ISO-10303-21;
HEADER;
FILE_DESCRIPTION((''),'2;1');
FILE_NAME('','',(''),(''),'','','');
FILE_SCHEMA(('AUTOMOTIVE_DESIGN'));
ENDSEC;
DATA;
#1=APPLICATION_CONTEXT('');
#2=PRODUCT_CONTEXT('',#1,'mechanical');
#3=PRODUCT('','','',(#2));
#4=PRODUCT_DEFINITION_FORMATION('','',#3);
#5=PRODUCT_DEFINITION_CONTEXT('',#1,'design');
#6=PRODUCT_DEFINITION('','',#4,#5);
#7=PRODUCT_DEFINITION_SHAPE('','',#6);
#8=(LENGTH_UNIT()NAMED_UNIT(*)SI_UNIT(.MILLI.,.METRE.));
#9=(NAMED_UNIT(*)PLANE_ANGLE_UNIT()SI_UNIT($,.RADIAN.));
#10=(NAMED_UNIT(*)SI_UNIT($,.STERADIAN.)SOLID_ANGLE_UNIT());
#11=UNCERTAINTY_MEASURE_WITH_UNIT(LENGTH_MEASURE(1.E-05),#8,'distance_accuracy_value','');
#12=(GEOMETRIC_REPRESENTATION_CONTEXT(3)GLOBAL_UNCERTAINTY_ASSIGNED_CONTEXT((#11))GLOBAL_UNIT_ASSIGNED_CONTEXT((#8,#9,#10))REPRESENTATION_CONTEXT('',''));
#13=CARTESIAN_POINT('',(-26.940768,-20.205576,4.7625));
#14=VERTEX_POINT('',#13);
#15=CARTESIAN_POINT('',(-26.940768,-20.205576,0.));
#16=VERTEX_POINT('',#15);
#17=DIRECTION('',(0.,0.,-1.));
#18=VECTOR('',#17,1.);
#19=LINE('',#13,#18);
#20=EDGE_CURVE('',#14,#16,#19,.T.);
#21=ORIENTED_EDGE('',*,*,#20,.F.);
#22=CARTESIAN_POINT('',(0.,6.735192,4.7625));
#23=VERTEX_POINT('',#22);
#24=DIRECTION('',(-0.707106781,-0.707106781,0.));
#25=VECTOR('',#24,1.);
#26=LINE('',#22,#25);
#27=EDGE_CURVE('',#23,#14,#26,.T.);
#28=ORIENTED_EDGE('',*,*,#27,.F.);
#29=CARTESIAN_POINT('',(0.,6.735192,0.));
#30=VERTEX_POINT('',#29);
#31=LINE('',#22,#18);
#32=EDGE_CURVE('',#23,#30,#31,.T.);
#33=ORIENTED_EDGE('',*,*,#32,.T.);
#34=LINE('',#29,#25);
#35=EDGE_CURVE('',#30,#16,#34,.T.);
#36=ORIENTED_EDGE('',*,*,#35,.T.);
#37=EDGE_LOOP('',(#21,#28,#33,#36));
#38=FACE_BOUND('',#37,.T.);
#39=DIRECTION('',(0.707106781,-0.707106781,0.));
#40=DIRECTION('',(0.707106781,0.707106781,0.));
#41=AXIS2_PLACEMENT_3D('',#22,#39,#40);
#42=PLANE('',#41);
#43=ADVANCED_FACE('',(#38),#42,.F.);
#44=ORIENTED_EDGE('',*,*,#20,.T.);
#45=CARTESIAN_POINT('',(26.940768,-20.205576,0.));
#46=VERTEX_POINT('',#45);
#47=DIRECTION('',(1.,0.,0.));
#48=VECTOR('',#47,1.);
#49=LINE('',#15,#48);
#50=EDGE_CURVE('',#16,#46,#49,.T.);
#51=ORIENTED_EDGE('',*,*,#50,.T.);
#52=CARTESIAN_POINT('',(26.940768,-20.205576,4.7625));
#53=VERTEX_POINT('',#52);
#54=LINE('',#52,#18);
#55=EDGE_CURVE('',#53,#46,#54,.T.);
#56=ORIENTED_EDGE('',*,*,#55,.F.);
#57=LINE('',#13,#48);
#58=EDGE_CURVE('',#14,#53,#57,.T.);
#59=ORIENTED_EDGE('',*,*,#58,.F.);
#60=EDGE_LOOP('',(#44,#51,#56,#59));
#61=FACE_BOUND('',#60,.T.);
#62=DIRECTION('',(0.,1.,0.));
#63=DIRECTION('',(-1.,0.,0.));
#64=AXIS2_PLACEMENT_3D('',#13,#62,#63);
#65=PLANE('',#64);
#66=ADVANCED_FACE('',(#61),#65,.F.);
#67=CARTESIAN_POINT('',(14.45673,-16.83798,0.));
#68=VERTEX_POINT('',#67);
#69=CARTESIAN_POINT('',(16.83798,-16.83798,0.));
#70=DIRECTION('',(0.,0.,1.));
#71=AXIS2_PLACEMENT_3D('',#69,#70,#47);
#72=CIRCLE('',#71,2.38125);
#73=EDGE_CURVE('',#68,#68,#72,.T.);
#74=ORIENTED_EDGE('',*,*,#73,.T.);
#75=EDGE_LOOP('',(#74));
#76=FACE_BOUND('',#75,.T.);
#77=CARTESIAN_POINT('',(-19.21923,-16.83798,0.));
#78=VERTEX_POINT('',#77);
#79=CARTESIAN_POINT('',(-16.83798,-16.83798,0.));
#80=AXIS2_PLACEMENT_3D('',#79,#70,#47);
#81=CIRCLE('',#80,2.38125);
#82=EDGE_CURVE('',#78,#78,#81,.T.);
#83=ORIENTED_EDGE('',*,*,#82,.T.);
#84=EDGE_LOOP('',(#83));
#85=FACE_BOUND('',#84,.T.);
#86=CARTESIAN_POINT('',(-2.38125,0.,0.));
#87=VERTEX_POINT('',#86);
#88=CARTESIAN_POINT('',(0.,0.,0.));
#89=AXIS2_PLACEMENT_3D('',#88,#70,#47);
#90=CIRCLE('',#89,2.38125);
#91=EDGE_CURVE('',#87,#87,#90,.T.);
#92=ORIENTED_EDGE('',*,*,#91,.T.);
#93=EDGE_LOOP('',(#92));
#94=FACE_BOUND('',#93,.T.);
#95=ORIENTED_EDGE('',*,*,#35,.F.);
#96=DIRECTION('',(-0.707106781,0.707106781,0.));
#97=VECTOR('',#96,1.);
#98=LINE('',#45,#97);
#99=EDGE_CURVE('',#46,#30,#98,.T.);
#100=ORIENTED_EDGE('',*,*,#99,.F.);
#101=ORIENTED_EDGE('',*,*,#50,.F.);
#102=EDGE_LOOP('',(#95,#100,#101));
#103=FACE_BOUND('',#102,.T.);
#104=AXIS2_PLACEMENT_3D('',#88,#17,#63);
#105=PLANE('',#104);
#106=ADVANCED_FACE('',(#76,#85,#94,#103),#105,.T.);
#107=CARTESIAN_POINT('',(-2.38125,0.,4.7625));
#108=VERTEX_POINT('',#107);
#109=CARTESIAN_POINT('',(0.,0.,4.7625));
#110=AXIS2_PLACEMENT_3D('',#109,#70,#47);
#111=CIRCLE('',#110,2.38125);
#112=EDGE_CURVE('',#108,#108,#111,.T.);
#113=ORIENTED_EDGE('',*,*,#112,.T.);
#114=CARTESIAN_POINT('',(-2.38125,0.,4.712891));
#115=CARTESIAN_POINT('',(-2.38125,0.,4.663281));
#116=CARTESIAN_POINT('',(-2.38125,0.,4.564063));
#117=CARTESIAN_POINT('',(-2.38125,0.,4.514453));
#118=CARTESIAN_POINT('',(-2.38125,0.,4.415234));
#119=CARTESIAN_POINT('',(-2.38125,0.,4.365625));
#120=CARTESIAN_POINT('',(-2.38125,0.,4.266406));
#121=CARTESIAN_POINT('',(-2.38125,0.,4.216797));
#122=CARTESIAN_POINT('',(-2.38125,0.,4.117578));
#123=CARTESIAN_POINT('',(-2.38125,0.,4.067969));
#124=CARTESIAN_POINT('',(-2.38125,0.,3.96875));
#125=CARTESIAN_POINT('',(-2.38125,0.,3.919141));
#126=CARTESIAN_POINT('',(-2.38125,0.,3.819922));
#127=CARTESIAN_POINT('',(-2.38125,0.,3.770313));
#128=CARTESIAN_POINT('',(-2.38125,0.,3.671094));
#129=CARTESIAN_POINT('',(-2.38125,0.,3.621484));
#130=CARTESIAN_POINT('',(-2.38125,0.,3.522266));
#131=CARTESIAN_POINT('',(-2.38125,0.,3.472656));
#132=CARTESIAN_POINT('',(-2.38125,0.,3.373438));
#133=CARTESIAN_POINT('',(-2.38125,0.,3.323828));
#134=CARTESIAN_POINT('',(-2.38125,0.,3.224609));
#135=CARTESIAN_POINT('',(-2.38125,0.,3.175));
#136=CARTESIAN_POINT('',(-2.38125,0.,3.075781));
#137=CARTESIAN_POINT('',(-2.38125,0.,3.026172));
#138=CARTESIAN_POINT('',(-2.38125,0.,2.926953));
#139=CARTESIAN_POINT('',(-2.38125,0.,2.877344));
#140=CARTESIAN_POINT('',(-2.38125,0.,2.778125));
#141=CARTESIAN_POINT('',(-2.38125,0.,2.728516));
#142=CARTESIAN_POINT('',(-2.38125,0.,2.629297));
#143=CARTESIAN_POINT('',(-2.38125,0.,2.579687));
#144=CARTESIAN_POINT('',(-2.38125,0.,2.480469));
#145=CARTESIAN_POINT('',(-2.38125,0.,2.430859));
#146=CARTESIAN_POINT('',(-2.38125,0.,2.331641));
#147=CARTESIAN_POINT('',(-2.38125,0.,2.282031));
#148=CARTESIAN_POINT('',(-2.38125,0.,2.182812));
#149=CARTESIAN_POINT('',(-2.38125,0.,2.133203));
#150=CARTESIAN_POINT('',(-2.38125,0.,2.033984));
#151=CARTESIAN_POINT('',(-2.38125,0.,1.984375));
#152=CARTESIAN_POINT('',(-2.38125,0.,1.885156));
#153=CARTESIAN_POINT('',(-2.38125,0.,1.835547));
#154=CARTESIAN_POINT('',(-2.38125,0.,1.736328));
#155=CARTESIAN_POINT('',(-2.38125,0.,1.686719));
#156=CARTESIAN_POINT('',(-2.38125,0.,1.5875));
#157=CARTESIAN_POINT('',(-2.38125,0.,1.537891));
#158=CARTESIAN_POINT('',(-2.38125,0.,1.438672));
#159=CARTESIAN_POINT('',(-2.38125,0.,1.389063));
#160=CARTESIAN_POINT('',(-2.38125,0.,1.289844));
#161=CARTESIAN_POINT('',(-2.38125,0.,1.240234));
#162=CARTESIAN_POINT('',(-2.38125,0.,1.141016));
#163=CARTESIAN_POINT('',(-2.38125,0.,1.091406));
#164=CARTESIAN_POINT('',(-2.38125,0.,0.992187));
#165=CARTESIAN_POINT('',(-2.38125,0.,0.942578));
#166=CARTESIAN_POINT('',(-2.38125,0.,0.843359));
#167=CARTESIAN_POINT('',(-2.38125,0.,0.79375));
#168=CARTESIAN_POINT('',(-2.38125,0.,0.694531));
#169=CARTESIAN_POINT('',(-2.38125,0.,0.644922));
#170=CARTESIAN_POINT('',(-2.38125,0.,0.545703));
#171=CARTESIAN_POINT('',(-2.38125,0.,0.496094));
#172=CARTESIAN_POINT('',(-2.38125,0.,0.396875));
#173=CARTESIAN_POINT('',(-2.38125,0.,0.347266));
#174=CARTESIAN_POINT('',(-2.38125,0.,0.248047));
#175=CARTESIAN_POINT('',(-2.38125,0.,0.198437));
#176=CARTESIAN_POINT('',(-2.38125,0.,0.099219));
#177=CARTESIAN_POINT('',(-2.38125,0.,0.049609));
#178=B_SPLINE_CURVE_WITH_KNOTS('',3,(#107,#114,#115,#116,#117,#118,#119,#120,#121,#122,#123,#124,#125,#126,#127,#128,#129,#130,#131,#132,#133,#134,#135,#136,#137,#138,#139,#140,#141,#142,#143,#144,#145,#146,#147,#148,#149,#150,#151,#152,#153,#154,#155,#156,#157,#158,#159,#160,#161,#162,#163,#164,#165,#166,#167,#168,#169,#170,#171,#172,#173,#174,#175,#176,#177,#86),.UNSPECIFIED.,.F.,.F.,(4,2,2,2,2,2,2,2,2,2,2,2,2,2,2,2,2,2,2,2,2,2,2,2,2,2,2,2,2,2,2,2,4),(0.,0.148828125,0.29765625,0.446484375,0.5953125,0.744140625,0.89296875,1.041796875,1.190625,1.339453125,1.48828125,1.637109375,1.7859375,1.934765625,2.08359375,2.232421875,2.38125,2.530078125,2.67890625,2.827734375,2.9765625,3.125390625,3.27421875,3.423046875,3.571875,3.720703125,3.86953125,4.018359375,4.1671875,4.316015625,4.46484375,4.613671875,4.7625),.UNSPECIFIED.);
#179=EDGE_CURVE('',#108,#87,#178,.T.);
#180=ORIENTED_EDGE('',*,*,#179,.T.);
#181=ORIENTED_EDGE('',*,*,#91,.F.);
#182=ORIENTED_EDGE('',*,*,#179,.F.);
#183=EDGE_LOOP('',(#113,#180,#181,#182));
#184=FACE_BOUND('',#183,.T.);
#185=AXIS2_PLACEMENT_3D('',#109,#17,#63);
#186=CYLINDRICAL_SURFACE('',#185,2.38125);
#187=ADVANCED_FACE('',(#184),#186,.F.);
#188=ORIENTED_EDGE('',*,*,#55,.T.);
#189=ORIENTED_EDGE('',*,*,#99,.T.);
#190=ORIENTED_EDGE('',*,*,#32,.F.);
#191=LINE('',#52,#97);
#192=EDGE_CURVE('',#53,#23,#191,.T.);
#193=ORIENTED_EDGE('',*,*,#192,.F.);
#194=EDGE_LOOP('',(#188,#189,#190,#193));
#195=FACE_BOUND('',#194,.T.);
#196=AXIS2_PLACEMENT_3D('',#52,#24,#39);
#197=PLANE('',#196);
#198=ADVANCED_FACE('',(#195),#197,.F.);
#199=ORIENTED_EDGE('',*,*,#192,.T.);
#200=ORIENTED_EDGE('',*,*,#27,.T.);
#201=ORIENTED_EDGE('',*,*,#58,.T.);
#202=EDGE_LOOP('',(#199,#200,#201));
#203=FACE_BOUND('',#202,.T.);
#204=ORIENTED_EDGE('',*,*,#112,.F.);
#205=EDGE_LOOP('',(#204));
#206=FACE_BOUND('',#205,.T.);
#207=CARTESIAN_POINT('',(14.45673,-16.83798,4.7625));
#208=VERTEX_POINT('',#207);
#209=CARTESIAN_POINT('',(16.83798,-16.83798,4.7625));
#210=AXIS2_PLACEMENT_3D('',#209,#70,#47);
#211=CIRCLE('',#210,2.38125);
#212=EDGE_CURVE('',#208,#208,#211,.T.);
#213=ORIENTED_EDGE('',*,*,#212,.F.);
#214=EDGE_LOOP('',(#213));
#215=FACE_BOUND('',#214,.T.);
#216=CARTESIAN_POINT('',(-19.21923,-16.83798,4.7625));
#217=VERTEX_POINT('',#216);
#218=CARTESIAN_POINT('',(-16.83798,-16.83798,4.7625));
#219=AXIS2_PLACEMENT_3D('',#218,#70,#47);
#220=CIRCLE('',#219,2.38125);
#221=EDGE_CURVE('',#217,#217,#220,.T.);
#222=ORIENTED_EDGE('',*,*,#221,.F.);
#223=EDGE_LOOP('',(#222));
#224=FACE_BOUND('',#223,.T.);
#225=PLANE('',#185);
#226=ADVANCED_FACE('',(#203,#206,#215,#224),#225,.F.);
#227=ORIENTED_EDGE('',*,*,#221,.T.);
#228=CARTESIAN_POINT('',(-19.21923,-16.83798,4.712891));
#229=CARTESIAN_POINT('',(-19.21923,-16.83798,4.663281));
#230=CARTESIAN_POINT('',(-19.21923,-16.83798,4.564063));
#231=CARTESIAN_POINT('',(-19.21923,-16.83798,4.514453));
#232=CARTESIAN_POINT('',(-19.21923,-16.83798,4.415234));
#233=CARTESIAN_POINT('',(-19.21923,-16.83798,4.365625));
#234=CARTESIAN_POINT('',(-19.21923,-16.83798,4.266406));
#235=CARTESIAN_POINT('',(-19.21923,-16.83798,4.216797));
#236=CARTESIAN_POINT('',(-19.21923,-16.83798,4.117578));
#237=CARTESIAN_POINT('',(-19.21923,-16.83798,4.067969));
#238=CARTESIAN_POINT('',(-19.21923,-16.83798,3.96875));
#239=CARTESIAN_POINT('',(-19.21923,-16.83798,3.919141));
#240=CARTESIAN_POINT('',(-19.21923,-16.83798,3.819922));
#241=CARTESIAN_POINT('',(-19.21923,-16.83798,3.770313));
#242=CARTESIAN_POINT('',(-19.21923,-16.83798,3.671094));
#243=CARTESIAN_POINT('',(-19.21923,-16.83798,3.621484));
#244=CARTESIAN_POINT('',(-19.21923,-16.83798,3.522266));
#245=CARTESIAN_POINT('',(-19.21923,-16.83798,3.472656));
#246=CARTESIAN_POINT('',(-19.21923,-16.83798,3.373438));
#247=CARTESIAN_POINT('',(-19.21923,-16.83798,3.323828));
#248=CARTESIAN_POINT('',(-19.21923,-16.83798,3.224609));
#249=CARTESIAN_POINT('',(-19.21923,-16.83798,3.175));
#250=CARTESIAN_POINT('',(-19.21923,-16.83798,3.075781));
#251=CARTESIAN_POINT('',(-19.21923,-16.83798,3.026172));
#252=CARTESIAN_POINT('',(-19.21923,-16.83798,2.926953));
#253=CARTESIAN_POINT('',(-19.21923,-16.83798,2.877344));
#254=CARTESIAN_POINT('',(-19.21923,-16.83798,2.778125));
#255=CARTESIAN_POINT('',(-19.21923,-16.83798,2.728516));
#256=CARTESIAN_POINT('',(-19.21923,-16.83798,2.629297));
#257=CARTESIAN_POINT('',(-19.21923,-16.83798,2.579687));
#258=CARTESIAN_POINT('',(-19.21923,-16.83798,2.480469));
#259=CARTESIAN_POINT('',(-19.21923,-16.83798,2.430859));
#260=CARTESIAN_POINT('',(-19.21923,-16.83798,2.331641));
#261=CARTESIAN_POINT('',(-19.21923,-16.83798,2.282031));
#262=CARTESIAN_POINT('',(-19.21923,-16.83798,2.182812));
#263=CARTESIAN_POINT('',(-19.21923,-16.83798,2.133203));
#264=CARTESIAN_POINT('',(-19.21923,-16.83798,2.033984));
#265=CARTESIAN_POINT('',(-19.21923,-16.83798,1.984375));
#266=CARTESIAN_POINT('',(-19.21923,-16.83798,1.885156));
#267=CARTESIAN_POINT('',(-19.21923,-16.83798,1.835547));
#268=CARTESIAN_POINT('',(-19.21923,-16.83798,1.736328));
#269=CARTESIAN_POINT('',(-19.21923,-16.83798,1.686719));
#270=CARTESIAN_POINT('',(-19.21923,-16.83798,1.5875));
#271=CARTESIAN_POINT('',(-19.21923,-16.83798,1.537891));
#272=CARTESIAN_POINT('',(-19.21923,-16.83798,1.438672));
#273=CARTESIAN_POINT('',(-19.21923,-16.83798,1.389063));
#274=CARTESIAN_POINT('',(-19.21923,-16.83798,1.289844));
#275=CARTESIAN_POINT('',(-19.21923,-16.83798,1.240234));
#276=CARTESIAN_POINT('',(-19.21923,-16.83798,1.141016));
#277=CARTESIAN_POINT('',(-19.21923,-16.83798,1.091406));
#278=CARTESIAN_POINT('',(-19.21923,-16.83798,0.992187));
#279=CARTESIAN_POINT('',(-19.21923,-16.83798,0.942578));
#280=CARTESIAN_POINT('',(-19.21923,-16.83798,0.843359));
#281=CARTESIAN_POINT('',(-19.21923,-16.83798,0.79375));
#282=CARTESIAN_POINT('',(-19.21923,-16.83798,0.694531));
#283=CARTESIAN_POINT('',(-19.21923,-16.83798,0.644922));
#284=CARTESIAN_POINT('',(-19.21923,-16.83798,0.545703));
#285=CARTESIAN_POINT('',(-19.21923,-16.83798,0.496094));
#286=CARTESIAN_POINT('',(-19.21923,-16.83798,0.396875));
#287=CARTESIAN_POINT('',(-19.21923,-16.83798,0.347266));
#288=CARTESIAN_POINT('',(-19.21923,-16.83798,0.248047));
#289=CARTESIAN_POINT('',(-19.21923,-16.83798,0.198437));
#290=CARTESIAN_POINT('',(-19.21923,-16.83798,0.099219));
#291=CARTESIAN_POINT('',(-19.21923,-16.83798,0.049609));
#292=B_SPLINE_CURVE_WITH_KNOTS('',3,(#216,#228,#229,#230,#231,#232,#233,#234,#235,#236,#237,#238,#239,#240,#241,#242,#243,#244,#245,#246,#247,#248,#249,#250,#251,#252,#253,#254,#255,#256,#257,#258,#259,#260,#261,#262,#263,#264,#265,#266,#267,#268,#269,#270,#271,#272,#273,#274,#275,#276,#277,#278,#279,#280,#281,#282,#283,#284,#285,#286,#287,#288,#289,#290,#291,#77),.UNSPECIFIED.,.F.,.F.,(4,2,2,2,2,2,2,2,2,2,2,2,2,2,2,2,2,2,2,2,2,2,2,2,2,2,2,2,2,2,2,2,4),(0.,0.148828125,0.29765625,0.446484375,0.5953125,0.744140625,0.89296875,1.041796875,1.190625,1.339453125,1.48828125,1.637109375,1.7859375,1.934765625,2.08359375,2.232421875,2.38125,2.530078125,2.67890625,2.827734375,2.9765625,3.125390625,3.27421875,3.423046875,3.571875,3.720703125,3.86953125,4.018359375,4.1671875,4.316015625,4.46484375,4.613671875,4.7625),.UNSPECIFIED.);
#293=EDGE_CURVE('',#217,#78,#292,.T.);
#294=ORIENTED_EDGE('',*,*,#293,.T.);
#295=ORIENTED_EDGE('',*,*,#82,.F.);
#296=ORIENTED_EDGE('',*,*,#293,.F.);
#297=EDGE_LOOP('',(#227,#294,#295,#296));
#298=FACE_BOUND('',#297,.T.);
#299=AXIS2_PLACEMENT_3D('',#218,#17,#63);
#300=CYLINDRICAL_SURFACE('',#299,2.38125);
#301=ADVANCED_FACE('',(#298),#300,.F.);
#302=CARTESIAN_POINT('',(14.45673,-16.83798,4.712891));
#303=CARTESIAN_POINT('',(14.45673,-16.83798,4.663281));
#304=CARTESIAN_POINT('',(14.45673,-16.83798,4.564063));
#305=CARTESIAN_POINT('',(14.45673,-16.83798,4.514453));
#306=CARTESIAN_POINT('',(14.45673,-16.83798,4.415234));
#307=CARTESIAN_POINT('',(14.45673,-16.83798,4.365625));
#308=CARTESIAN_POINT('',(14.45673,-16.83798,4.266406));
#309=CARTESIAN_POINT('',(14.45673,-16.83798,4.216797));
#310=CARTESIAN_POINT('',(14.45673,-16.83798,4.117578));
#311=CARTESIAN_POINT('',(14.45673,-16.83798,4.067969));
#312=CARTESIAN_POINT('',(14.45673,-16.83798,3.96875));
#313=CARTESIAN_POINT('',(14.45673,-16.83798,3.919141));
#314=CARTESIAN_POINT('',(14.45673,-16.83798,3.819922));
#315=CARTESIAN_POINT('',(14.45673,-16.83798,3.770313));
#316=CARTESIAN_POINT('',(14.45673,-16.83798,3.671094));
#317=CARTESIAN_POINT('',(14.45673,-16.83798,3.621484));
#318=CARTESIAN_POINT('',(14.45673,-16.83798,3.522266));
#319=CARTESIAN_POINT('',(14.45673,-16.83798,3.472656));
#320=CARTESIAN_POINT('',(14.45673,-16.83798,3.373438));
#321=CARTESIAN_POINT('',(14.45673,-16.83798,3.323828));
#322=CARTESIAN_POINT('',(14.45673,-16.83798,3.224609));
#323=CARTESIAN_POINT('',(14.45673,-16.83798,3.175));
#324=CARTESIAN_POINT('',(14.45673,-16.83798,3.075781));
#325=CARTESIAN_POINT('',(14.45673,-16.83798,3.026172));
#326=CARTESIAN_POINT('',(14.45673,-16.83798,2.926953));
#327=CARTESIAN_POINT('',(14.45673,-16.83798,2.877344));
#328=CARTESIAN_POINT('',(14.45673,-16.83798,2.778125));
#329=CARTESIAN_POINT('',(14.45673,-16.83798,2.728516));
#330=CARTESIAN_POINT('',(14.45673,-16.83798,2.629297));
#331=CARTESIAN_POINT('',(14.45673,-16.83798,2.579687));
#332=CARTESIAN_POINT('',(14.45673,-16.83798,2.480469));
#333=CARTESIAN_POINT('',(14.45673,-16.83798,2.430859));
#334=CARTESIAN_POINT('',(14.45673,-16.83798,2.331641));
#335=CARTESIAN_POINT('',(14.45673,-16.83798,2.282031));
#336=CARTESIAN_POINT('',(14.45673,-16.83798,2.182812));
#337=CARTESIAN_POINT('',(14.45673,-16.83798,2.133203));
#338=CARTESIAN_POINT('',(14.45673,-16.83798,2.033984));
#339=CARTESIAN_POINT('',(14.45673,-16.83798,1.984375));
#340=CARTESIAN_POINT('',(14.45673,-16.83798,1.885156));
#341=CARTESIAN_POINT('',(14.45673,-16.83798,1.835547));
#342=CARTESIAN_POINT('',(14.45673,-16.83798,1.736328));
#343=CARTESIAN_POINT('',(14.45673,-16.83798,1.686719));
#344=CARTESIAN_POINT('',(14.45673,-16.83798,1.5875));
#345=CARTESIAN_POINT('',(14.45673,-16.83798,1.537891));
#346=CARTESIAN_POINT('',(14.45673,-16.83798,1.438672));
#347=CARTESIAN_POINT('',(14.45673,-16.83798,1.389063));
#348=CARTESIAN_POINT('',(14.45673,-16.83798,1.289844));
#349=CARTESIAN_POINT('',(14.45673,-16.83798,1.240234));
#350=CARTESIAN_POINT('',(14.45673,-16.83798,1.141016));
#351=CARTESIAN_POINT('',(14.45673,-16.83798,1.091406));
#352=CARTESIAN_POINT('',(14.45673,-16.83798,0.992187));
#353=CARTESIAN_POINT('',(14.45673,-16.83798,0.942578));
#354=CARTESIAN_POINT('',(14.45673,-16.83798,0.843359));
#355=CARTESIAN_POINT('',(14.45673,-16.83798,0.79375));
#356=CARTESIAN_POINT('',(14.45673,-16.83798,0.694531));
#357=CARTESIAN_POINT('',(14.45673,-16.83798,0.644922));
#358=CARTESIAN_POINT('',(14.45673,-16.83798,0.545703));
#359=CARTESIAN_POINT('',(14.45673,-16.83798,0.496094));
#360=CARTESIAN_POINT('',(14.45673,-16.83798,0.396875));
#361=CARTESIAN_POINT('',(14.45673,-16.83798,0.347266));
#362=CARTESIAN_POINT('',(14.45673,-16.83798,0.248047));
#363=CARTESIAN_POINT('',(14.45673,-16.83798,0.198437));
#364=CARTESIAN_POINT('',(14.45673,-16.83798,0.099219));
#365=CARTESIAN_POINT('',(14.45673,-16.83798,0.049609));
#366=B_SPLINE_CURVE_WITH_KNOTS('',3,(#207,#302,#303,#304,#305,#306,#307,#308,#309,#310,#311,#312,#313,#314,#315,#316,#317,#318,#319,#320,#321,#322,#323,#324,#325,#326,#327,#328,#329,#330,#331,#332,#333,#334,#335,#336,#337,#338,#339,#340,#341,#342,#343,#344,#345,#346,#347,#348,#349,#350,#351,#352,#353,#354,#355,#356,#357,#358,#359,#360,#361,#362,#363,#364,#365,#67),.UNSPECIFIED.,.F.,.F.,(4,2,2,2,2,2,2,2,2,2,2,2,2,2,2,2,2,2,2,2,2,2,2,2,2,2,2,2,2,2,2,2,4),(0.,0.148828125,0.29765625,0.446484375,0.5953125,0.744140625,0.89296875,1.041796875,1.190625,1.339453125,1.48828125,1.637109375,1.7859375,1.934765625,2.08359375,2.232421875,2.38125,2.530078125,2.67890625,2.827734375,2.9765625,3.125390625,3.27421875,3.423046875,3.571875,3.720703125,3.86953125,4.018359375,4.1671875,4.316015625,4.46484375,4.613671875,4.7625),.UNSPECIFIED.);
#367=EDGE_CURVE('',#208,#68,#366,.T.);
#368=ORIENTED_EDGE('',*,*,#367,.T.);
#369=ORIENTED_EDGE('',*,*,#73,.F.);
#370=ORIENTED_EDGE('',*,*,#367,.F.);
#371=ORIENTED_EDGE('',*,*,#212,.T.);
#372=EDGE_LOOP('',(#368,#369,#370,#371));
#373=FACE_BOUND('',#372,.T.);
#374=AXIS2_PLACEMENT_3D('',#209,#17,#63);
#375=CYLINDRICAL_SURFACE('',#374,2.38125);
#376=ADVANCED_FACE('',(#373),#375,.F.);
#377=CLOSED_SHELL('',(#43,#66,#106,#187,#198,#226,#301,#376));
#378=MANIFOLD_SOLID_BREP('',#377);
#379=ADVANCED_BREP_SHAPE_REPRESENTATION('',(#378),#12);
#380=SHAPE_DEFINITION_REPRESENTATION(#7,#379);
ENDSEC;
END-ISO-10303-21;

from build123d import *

# Parameters (mm, degrees)
SKETCH1_R           = 2.38125
BOSS_EXTRUDE1_DEPTH = 4.7625


with BuildPart() as part:
    # Sketch1 → Boss-Extrude1 (new body)
    with BuildSketch(Plane.XY):
        Polygon((-26.940768363, -20.205576272), (26.940768363, -20.205576272), (0, 6.735192091), align=None)
        with Locations(Location((0, 0, 0), (0, 0, 180))):
            Circle(SKETCH1_R, mode=Mode.SUBTRACT)
        with Locations(Location((-16.837980227, -16.837980227, 0), (0, 0, 180))):
            Circle(SKETCH1_R, mode=Mode.SUBTRACT)
        with Locations(Location((16.837980227, -16.837980227, 0), (0, 0, 180))):
            Circle(SKETCH1_R, mode=Mode.SUBTRACT)
    extrude(amount=BOSS_EXTRUDE1_DEPTH)


solid = part.part
